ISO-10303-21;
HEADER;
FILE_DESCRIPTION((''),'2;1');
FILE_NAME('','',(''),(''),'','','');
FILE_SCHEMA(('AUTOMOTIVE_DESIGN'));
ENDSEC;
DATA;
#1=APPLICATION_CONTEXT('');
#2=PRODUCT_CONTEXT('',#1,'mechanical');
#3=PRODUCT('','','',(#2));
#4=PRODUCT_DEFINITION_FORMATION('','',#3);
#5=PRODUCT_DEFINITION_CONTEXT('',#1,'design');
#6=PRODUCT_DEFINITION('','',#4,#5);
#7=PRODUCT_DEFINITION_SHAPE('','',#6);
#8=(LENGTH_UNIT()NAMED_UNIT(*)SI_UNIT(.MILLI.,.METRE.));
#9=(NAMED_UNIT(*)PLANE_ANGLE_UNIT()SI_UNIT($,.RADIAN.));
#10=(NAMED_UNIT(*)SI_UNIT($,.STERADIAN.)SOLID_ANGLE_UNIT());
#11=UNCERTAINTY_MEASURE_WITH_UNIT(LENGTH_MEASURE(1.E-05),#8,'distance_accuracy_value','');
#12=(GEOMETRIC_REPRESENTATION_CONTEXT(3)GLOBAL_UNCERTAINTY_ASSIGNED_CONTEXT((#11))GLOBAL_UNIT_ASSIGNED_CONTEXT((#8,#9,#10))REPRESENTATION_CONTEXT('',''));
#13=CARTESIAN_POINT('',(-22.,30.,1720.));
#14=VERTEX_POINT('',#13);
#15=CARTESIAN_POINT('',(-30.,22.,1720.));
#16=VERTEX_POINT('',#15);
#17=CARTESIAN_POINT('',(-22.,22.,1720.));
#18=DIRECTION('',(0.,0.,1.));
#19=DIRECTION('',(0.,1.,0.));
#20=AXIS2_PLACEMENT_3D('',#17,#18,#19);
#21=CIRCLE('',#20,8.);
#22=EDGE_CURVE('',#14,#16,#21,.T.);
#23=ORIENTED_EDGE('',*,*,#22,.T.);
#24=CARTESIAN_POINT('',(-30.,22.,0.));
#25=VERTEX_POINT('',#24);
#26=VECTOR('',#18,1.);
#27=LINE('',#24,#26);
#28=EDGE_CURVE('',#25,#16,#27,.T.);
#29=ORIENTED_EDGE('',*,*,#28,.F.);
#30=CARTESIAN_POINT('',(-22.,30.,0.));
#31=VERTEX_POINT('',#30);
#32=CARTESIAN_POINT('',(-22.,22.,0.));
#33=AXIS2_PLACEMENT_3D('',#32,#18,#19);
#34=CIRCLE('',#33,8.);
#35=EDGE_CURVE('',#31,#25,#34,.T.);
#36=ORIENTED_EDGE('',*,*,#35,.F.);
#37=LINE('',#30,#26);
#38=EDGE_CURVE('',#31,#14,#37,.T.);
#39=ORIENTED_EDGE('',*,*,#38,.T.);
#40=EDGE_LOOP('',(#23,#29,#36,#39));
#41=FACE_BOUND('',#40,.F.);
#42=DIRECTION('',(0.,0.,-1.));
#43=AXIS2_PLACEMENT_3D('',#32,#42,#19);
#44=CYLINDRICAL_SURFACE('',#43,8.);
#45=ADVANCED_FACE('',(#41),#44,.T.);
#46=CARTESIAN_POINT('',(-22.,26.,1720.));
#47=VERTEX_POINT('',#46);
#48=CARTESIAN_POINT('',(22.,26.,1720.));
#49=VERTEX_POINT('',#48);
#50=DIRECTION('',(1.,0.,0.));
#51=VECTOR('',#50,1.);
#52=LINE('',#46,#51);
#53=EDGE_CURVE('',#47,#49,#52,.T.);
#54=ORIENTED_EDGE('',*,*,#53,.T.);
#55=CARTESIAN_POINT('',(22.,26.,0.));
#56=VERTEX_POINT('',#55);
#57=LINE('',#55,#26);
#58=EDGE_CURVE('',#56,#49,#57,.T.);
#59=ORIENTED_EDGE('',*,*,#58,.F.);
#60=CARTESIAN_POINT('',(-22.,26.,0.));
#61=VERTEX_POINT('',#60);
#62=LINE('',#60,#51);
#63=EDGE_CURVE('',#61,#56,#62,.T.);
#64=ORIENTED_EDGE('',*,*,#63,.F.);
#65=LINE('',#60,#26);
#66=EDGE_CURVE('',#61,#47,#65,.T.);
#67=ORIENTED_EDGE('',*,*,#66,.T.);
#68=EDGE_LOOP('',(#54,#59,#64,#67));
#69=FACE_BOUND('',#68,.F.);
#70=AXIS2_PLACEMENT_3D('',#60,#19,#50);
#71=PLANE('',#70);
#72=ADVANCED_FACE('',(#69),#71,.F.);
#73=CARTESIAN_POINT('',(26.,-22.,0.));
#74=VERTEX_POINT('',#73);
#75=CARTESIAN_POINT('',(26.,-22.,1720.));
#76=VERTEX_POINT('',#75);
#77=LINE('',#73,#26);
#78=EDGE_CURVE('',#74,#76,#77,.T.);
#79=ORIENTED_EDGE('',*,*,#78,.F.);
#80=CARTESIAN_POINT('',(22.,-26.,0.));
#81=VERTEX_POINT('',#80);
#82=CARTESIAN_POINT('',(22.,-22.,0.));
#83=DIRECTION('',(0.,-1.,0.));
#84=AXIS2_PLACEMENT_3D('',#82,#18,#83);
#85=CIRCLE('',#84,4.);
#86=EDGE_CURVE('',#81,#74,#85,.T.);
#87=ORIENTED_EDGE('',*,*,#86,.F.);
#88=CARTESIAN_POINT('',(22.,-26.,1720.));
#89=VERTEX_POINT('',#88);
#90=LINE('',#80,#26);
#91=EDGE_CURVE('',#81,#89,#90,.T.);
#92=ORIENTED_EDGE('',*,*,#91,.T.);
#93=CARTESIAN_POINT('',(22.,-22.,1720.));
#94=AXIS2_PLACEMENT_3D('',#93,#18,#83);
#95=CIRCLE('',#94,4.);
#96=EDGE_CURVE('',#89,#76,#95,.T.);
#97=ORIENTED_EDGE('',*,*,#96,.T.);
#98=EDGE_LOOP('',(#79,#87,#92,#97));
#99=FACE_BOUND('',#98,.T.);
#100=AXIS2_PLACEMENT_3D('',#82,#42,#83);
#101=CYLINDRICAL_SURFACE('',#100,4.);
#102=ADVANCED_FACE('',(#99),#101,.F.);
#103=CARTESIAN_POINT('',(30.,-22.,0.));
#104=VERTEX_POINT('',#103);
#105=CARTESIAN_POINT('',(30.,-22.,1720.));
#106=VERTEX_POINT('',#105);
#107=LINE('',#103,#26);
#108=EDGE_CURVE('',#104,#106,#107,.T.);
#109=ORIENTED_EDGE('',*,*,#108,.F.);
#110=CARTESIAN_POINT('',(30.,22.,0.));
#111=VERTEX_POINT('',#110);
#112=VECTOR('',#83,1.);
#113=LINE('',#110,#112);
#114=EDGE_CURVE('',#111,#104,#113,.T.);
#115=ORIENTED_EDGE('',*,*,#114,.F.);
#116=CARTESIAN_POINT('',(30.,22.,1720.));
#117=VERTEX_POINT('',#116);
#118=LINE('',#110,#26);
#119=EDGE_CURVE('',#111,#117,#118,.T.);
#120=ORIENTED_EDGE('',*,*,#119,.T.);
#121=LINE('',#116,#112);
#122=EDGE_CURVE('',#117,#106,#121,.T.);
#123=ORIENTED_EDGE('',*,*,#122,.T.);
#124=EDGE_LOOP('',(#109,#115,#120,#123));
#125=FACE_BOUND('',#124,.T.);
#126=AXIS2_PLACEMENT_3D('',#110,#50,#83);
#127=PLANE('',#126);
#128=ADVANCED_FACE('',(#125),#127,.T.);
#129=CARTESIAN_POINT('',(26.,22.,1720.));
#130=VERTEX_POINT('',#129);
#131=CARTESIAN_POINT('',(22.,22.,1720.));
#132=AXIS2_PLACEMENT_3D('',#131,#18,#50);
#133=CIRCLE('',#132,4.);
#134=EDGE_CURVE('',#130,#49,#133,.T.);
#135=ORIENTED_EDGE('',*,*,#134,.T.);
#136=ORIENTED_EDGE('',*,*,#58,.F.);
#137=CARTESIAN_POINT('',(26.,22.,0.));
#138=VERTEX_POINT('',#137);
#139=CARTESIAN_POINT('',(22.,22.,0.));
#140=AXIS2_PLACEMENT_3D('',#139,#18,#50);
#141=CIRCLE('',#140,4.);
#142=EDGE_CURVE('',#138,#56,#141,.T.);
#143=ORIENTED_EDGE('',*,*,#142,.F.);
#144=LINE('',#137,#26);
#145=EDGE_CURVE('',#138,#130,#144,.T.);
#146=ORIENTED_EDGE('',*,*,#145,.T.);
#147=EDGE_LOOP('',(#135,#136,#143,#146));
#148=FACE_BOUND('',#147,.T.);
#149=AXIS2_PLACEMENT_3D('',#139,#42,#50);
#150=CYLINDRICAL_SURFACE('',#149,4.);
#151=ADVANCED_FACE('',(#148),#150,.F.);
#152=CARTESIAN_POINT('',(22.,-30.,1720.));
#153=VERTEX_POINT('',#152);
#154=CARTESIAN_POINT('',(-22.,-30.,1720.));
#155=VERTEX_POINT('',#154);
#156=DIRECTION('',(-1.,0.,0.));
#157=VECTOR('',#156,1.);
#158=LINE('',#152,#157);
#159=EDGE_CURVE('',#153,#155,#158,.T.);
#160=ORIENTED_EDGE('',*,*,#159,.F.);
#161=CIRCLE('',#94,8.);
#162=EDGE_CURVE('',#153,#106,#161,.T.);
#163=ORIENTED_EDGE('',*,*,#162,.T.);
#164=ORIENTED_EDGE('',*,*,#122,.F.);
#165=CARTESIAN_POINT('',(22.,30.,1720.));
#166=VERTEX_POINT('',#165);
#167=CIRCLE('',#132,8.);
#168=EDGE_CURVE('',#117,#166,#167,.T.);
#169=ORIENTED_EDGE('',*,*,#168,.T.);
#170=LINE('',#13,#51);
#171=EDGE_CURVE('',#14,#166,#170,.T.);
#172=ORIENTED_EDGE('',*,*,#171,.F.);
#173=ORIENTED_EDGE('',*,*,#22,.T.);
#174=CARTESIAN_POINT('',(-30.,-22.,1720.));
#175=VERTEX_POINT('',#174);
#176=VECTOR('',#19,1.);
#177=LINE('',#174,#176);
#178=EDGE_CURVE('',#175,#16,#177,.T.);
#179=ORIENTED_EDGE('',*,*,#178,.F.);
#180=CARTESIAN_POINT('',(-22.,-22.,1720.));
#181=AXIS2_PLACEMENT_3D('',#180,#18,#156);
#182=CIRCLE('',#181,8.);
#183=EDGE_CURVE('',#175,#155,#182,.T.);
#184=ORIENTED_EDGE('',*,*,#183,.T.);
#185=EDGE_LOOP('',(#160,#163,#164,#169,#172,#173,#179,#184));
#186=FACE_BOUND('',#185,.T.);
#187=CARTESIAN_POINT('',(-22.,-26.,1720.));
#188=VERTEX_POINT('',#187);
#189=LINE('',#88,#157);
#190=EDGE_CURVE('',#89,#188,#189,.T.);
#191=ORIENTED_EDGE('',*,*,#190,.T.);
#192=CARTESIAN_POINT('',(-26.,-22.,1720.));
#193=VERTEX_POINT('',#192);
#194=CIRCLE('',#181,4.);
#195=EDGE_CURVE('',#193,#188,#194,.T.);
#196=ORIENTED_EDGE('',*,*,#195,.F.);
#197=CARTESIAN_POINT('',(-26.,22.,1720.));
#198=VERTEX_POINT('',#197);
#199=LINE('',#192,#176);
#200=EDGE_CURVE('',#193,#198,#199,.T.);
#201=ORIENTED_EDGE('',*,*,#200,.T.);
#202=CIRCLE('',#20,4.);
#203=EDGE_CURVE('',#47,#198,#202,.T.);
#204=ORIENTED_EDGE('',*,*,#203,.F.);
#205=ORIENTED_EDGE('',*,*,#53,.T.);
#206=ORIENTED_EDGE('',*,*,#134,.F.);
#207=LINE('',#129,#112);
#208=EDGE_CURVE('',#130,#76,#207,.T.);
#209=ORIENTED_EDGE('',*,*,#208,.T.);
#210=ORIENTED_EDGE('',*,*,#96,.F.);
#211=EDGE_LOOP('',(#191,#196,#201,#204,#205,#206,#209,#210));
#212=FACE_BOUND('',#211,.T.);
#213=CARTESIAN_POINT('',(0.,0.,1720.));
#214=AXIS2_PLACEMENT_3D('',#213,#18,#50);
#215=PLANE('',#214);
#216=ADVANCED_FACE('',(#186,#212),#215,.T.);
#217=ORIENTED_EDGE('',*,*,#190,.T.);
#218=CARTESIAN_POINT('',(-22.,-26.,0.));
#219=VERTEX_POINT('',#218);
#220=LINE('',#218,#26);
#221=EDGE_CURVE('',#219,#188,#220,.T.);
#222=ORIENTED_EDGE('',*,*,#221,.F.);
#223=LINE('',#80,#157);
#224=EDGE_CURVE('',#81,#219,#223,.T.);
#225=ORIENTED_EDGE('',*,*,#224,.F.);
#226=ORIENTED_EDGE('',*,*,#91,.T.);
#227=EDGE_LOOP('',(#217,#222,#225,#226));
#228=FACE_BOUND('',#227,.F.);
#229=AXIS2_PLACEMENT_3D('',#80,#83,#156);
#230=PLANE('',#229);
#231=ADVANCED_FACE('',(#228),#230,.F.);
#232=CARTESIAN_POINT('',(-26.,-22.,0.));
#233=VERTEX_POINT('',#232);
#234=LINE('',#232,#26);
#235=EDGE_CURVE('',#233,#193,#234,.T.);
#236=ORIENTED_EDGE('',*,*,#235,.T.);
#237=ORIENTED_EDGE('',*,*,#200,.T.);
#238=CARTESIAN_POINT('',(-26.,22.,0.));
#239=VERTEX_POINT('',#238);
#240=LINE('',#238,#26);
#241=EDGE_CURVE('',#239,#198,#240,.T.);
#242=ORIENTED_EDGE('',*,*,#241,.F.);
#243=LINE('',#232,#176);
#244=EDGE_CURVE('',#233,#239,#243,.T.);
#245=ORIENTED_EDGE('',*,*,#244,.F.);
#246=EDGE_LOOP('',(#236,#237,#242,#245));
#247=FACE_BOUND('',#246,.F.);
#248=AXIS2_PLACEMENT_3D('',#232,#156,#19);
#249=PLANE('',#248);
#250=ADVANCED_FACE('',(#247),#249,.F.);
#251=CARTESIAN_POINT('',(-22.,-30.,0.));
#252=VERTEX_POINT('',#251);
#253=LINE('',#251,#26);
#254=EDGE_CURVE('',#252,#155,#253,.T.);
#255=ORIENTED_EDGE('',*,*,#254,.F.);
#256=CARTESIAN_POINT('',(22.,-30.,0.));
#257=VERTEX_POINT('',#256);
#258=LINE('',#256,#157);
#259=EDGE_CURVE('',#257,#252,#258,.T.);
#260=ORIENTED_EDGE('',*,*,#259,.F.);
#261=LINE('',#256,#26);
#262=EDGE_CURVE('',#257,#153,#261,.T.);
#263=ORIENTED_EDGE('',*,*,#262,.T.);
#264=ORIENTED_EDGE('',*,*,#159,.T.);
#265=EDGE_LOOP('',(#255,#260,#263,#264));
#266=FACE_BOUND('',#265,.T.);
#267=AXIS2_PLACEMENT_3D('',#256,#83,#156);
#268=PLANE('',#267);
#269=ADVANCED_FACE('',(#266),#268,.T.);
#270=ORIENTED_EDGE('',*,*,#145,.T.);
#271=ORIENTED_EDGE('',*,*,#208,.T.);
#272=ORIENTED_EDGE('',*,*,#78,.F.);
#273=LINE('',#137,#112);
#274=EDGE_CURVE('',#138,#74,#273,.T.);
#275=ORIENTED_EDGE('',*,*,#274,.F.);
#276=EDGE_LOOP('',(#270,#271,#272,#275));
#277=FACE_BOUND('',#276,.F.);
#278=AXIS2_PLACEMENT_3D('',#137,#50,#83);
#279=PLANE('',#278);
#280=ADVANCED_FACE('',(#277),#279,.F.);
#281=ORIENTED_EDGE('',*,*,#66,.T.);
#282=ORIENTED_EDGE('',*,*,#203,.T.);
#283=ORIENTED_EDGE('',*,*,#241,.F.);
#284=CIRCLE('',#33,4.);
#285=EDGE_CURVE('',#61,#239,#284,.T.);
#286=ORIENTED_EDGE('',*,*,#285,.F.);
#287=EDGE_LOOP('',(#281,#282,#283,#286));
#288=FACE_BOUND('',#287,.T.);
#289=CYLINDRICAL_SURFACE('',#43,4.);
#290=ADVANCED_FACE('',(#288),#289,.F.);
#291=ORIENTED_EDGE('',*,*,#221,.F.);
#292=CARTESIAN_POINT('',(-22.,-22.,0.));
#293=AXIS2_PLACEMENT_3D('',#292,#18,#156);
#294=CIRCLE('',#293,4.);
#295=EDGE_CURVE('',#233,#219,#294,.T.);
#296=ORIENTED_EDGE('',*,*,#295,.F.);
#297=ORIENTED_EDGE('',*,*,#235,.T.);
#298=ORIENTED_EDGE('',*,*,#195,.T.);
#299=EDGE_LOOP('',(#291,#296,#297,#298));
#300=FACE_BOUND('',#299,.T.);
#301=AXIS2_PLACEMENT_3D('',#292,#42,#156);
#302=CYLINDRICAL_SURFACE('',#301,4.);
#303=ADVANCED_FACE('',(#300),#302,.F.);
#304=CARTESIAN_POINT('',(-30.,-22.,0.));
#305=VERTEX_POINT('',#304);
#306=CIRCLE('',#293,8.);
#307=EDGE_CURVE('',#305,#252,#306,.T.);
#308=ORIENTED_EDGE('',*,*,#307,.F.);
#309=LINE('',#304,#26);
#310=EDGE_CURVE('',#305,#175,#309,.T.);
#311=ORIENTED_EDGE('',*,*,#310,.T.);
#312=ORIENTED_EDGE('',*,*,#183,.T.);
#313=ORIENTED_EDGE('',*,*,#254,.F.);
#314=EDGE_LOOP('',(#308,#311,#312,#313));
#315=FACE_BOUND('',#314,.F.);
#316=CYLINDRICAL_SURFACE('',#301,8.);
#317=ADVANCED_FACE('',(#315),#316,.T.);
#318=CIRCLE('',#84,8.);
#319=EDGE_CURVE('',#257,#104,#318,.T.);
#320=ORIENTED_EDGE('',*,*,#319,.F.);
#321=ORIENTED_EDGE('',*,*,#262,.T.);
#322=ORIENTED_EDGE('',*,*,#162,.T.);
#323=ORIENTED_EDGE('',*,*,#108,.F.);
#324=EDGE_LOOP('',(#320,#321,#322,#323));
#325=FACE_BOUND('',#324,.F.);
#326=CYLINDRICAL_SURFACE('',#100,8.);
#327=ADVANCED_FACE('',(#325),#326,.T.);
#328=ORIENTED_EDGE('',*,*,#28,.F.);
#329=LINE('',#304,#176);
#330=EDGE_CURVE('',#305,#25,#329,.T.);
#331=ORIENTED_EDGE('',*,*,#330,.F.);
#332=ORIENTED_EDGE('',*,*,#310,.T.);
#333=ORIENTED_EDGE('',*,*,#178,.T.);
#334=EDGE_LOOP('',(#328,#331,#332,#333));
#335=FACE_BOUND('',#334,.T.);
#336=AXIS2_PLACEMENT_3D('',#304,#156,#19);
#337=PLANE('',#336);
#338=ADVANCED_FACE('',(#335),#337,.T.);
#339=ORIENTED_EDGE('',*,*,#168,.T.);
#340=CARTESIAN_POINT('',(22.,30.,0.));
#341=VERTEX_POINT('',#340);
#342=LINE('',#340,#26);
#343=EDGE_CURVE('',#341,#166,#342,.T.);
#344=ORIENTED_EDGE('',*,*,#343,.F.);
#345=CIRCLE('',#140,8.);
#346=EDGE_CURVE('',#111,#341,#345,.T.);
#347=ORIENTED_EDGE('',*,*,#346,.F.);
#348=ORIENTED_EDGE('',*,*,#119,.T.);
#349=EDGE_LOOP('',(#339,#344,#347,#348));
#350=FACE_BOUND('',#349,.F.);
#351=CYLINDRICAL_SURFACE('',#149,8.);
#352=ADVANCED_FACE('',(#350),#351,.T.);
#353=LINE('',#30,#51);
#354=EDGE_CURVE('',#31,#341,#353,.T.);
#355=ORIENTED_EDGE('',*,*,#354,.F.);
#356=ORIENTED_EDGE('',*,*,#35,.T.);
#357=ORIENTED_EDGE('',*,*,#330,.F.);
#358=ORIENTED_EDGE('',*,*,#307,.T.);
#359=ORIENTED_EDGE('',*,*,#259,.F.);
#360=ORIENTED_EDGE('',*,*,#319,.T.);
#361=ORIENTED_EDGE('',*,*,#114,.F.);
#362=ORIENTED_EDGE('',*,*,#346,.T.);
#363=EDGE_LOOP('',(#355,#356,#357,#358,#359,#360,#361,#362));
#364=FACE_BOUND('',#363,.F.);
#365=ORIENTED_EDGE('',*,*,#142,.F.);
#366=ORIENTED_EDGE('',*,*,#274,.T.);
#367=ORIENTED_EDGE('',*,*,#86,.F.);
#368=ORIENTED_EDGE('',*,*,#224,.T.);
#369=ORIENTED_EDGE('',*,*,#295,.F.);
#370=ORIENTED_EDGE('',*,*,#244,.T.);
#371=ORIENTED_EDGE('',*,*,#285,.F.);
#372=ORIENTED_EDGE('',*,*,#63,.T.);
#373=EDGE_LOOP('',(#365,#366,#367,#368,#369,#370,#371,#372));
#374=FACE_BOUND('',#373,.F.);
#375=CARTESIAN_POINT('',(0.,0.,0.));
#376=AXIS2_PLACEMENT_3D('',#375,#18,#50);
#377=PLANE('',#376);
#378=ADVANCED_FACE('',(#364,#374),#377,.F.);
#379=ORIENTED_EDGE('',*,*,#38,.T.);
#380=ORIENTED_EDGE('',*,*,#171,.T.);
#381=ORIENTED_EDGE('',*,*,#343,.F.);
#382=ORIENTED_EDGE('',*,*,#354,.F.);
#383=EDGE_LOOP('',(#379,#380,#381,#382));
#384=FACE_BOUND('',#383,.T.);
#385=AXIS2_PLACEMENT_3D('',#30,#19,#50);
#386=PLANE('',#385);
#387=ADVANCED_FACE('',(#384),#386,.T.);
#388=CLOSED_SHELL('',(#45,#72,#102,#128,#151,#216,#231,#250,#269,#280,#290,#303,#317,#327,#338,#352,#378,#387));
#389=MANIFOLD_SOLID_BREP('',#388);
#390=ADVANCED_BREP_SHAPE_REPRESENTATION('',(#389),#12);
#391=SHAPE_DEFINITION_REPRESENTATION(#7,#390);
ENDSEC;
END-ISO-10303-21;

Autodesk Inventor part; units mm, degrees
ref_plane "YZ Plane" through (0, 0, 0) normal (1, 0, 0) x (0, 1, 0)
ref_plane "Start Plane" through (0, 0, 0) normal (0, 0, 1) x (1, 0, 0)
ref_plane "End Plane" through (0, 0, 1720) normal (0, 0, 1) x (1, 0, 0)
sketch "Sketch" plane through (0, 0, 0) normal (0, 0, 1) x (1, 0, 0)
  line L0 (-30, -22) -> (-30, 22)
  line L1 (-22, 30) -> (22, 30)
  line L2 (30, 22) -> (30, -22)
  line L3 (22, -30) -> (-22, -30)
  arc A0 (-30, -22) -> (-22, -30) centre (-22, -22) ccw
  arc A1 (30, 22) -> (22, 30) centre (22, 22) ccw
  arc A2 (-22, 30) -> (-30, 22) centre (-22, 22) ccw
  arc A3 (22, -30) -> (30, -22) centre (22, -22) ccw
  arc A4 (-22, 26) -> (-26, 22) centre (-22, 22) ccw
  line L4 (-22, 26) -> (22, 26)
  arc A5 (26, 22) -> (22, 26) centre (22, 22) ccw
  line L5 (26, 22) -> (26, -22)
  arc A6 (22, -26) -> (26, -22) centre (22, -22) ccw
  line L6 (22, -26) -> (-22, -26)
  arc A7 (-26, -22) -> (-22, -26) centre (-22, -22) ccw
  line L7 (-26, -22) -> (-26, 22)
  line L8 (0, 44.3196) -> (0, -44.3196) construction
  line L9 (-44.3196, 0) -> (44.3196, 0) construction
  dimension "d7" = 8
  dimension "d9" = 60
  dimension "d11" = 60
  dimension "d12" = 4
  dimension "d15" = 30
  dimension "d16" = 30
extrude "Body" add sketch "Sketch" along normal up to surface (1720 mm away) from surface at 0
sketch "Sketch3" plane through (0, 0, 0) normal (0, 0, 1) x (1, 0, 0)
  line L0 (0, 0) -> (10, 0)
ref_plane "Work Plane3" through (0, 0, 0) normal (0, -1, 0) x (1, 0, 0)
sketch "Sketch4" plane through (0, 0, 0) normal (0, -1, 0) x (1, 0, 0)
  line L0 (-2, 0) -> (12, 0) projected
  line L1 (-2, 1720) -> (12, 1720) projected
  dimension "d18" = 1720
equation "\"d7\" = G_IR"
equation "\"d9\" = G_W"
equation "\"d11\" = G_H"
equation "\"d12\" = G_T"
equation "\"d15\" = 0.5 * d9"
equation "\"d16\" = 0.5 * d11"
equation "\"d3\" = G_L"
equation "\"G_W\" = 60"
equation "\"G_H\" = 60"
equation "\"G_T\" = 4"
equation "\"G_IR\" = 8"
equation "\"G_L\" = d18"
equation "\"G_OFFSET_START\" = 0"
equation "\"G_OFFSET_END\" = 0"
properties part number "ISO 4019 - 60x60x4 - 1720" material "Steel, Mild"
